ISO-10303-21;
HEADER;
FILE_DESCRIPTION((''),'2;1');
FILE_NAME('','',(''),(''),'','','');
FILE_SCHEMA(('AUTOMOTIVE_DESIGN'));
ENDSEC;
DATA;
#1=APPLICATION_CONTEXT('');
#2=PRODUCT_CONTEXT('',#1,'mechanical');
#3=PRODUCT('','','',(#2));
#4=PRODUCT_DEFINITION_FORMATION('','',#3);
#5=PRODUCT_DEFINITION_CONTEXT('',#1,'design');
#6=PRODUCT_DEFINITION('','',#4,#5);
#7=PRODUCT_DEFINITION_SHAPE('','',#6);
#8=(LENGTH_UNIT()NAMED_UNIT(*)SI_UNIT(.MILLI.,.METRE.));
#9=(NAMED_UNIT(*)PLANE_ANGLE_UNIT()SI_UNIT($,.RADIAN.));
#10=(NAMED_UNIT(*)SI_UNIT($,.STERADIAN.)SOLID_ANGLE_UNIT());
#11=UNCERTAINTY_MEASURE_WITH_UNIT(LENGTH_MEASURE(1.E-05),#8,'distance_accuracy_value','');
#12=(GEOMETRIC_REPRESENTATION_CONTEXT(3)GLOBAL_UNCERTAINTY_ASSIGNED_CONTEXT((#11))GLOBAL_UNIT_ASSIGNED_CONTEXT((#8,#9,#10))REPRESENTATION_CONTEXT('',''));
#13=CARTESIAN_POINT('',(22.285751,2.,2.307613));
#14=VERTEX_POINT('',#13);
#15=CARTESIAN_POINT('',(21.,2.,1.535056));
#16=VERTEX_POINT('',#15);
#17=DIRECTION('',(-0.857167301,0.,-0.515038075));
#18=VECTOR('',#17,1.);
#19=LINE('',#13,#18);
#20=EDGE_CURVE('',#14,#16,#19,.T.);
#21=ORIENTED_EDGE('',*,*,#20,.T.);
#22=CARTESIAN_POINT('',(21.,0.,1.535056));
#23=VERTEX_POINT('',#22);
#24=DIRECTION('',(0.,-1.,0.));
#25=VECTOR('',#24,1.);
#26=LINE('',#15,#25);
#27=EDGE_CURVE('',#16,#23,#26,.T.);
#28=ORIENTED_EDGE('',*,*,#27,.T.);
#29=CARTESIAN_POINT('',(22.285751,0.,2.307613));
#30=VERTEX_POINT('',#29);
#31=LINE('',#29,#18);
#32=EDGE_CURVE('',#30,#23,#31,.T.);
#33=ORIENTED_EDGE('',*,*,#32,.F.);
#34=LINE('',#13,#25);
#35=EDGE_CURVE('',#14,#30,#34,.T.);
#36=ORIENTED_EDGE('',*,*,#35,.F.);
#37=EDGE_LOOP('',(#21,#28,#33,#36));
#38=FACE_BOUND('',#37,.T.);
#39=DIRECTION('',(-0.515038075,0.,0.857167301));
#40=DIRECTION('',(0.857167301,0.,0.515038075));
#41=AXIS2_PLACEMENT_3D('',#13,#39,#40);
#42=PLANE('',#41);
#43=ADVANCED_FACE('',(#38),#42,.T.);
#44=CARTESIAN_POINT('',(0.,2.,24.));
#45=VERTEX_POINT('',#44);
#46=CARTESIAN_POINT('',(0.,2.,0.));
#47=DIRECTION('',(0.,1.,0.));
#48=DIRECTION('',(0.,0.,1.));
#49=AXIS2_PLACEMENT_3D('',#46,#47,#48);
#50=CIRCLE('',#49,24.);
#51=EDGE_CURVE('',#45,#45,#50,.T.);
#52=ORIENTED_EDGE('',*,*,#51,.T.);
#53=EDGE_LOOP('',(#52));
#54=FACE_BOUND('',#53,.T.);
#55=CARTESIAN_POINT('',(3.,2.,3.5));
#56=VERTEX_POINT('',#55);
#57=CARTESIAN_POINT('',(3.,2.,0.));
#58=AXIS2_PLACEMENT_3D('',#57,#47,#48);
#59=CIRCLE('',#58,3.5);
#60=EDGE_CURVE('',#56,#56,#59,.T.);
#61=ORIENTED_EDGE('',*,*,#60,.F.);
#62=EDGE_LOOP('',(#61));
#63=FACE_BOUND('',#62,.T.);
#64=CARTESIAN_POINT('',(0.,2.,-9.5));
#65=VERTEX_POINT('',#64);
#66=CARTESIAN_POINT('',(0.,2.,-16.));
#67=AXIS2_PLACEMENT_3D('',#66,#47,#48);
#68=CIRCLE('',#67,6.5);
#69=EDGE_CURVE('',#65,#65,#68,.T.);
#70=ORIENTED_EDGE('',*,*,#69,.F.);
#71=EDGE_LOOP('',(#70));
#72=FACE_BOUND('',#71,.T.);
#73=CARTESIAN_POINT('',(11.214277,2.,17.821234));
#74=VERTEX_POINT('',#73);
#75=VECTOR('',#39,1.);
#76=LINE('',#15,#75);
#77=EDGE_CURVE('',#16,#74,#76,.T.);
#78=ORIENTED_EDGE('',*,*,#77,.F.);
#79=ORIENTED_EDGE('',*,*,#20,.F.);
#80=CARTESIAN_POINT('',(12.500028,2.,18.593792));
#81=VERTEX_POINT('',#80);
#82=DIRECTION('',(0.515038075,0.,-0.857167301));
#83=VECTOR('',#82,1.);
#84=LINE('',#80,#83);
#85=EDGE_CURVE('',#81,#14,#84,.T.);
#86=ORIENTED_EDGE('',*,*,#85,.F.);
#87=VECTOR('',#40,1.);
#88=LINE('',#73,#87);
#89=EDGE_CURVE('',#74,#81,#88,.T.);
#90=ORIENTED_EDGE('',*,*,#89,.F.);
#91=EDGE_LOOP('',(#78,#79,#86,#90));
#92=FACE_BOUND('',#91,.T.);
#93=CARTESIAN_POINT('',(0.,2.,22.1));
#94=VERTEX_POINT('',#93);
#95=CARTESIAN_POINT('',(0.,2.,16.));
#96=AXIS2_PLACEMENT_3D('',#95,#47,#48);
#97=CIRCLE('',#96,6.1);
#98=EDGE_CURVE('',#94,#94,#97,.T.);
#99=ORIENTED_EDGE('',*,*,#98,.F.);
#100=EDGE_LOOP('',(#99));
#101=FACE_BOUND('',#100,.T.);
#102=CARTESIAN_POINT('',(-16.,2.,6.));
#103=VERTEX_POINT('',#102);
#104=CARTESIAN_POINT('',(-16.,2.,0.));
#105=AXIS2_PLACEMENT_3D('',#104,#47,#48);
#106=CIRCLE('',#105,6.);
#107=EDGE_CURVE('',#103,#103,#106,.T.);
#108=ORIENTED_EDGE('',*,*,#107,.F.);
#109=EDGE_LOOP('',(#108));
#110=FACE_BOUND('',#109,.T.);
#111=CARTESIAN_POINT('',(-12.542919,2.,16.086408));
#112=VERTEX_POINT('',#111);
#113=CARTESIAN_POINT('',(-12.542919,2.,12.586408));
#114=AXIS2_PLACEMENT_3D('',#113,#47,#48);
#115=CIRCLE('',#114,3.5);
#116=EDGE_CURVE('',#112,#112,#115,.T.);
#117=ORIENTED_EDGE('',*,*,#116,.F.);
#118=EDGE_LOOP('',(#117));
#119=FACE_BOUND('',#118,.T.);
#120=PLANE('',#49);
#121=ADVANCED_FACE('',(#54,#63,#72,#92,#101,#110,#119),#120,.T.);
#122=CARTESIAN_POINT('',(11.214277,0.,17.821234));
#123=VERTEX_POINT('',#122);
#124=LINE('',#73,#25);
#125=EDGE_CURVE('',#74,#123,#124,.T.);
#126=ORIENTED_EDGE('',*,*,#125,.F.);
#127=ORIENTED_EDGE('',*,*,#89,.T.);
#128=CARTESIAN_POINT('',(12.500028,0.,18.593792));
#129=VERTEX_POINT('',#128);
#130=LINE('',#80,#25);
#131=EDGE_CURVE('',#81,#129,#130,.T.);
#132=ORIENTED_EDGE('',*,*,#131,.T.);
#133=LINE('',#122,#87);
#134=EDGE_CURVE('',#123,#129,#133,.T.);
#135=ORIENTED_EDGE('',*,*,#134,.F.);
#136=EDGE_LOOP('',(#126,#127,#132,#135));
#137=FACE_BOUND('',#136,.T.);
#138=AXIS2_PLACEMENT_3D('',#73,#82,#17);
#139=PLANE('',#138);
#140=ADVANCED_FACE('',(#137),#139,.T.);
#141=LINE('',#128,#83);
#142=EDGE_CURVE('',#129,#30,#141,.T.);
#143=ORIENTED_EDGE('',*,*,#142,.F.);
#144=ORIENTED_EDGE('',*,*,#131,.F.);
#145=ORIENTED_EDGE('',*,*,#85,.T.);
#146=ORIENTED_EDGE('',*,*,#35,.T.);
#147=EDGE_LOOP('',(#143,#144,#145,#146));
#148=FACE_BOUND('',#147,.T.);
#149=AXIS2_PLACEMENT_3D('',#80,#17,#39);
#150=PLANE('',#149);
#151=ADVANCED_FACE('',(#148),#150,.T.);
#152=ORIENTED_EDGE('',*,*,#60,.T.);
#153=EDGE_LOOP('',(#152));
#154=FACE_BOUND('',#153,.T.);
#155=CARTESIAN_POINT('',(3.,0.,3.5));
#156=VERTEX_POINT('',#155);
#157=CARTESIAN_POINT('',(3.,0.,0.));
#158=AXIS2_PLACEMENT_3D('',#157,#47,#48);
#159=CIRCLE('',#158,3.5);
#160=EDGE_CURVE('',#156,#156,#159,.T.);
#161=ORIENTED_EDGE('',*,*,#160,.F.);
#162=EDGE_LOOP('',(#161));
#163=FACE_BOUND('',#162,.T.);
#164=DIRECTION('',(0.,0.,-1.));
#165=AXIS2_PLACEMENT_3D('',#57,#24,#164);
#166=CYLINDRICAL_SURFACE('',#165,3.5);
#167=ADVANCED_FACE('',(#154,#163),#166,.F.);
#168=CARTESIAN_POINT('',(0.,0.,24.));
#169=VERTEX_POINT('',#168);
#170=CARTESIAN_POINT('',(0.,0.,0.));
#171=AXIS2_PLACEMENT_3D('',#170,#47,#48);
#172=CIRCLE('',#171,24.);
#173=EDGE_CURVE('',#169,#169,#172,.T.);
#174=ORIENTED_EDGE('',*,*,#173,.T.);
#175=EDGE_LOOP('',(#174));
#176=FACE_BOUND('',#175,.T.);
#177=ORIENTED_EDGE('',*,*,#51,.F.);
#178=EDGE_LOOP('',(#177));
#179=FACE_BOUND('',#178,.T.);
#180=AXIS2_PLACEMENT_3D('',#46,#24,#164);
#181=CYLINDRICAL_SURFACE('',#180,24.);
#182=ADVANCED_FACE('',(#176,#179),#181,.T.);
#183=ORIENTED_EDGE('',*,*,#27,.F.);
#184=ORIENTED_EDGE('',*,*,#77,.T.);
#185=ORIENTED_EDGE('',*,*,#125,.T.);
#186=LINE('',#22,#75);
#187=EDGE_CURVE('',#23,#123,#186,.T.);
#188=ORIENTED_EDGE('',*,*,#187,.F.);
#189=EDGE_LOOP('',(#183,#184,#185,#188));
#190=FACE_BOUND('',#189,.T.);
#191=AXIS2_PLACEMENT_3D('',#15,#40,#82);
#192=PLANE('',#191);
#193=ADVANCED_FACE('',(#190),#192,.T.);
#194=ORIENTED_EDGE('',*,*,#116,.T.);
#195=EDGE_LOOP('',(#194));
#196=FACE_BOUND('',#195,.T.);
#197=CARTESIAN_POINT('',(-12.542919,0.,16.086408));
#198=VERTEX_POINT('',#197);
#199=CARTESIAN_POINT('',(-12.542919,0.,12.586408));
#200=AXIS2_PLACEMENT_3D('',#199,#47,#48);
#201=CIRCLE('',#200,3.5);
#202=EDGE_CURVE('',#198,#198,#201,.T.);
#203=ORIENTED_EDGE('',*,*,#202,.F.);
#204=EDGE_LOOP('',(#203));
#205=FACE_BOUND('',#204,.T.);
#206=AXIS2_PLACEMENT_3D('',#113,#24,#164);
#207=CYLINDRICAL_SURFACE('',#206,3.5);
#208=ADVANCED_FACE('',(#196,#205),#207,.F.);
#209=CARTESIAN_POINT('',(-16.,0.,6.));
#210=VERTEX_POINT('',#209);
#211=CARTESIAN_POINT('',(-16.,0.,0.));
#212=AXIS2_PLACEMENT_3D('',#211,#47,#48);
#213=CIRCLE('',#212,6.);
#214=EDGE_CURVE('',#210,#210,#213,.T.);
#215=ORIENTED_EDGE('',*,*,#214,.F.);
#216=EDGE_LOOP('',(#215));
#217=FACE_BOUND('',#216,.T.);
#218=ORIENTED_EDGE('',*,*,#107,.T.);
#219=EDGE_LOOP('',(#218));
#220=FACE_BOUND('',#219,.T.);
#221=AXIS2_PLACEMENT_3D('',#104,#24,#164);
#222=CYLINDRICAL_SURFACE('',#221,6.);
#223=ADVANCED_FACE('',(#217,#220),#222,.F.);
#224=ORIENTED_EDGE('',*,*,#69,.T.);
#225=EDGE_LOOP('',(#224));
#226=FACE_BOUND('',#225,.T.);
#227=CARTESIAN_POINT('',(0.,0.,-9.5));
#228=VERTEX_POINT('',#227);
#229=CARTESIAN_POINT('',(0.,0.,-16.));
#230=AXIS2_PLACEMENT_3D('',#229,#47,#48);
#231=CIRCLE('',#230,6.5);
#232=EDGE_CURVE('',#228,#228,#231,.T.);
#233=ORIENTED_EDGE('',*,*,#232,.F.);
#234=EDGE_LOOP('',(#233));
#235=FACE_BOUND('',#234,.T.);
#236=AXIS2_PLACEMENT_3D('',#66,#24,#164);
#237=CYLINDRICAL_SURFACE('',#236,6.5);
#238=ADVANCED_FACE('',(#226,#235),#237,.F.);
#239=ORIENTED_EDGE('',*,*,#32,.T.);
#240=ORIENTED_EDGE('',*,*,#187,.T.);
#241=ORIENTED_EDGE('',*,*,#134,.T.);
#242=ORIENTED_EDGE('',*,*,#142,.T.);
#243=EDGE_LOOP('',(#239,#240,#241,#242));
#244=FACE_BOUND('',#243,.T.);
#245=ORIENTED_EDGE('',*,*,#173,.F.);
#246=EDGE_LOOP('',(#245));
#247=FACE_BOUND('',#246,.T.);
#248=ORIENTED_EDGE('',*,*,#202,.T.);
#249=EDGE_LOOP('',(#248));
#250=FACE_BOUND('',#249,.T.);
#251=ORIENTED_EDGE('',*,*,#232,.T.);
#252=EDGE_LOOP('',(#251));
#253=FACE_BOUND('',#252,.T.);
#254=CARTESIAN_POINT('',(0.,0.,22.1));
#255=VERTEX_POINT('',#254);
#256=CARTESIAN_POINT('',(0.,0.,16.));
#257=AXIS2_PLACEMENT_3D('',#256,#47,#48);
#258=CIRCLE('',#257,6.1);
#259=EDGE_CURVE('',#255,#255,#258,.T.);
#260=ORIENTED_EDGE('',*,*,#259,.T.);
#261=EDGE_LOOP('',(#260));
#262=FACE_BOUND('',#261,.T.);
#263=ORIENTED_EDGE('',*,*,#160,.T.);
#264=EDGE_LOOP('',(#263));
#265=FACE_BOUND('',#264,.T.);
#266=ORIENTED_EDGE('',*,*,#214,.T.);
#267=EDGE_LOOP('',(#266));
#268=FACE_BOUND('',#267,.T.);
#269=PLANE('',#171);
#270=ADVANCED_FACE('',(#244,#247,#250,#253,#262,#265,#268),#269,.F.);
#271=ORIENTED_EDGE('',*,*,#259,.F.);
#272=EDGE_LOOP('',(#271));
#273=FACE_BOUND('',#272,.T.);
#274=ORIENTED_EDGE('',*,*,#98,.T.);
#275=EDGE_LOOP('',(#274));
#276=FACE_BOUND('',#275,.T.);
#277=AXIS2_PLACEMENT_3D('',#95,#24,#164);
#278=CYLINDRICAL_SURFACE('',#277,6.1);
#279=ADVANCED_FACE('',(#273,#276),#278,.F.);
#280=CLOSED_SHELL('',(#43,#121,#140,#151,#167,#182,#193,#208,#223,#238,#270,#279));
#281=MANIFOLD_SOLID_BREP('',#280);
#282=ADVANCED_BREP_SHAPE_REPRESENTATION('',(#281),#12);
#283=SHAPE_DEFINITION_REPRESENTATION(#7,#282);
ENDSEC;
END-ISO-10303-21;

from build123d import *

# Parameters (mm, degrees)
ESQUISSE1_R        = 24
ESQUISSE1_R_2      = 6.5
ESQUISSE1_R_3      = 6
ESQUISSE1_R_4      = 6.1
ESQUISSE1_R_5      = 3.5
BOSS_EXTRU_1_DEPTH = 2


with BuildPart() as part:
    # Esquisse1 → Boss.-Extru.1 (new body)
    with BuildSketch(Plane(origin=(0, 0, 0), x_dir=(1, 0, 0), z_dir=(0, 1, 0))):
        with Locations(Location((0, 0, 0), (0, 0, 270))):
            Circle(ESQUISSE1_R)
        with Locations(Location((0, 16, 0), (0, 0, 270))):
            Circle(ESQUISSE1_R_2, mode=Mode.SUBTRACT)
        with Locations(Location((-16, 0, 0), (0, 0, 270))):
            Circle(ESQUISSE1_R_3, mode=Mode.SUBTRACT)
        with Locations(Location((0, -16, 0), (0, 0, 270))):
            Circle(ESQUISSE1_R_4, mode=Mode.SUBTRACT)
        with Locations(Location((-12.542919229, -12.586407821, 0), (0, 0, 270))):
            Circle(ESQUISSE1_R_5, mode=Mode.SUBTRACT)
        with Locations(Location((3, 0, 0), (0, 0, 270))):
            Circle(ESQUISSE1_R_5, mode=Mode.SUBTRACT)
        Polygon((21, -1.535055726), (11.214276577, -17.821234439), (12.500027528, -18.593791552), (22.285750951, -2.307612838), align=None, mode=Mode.SUBTRACT)
    extrude(amount=BOSS_EXTRU_1_DEPTH)


solid = part.part
